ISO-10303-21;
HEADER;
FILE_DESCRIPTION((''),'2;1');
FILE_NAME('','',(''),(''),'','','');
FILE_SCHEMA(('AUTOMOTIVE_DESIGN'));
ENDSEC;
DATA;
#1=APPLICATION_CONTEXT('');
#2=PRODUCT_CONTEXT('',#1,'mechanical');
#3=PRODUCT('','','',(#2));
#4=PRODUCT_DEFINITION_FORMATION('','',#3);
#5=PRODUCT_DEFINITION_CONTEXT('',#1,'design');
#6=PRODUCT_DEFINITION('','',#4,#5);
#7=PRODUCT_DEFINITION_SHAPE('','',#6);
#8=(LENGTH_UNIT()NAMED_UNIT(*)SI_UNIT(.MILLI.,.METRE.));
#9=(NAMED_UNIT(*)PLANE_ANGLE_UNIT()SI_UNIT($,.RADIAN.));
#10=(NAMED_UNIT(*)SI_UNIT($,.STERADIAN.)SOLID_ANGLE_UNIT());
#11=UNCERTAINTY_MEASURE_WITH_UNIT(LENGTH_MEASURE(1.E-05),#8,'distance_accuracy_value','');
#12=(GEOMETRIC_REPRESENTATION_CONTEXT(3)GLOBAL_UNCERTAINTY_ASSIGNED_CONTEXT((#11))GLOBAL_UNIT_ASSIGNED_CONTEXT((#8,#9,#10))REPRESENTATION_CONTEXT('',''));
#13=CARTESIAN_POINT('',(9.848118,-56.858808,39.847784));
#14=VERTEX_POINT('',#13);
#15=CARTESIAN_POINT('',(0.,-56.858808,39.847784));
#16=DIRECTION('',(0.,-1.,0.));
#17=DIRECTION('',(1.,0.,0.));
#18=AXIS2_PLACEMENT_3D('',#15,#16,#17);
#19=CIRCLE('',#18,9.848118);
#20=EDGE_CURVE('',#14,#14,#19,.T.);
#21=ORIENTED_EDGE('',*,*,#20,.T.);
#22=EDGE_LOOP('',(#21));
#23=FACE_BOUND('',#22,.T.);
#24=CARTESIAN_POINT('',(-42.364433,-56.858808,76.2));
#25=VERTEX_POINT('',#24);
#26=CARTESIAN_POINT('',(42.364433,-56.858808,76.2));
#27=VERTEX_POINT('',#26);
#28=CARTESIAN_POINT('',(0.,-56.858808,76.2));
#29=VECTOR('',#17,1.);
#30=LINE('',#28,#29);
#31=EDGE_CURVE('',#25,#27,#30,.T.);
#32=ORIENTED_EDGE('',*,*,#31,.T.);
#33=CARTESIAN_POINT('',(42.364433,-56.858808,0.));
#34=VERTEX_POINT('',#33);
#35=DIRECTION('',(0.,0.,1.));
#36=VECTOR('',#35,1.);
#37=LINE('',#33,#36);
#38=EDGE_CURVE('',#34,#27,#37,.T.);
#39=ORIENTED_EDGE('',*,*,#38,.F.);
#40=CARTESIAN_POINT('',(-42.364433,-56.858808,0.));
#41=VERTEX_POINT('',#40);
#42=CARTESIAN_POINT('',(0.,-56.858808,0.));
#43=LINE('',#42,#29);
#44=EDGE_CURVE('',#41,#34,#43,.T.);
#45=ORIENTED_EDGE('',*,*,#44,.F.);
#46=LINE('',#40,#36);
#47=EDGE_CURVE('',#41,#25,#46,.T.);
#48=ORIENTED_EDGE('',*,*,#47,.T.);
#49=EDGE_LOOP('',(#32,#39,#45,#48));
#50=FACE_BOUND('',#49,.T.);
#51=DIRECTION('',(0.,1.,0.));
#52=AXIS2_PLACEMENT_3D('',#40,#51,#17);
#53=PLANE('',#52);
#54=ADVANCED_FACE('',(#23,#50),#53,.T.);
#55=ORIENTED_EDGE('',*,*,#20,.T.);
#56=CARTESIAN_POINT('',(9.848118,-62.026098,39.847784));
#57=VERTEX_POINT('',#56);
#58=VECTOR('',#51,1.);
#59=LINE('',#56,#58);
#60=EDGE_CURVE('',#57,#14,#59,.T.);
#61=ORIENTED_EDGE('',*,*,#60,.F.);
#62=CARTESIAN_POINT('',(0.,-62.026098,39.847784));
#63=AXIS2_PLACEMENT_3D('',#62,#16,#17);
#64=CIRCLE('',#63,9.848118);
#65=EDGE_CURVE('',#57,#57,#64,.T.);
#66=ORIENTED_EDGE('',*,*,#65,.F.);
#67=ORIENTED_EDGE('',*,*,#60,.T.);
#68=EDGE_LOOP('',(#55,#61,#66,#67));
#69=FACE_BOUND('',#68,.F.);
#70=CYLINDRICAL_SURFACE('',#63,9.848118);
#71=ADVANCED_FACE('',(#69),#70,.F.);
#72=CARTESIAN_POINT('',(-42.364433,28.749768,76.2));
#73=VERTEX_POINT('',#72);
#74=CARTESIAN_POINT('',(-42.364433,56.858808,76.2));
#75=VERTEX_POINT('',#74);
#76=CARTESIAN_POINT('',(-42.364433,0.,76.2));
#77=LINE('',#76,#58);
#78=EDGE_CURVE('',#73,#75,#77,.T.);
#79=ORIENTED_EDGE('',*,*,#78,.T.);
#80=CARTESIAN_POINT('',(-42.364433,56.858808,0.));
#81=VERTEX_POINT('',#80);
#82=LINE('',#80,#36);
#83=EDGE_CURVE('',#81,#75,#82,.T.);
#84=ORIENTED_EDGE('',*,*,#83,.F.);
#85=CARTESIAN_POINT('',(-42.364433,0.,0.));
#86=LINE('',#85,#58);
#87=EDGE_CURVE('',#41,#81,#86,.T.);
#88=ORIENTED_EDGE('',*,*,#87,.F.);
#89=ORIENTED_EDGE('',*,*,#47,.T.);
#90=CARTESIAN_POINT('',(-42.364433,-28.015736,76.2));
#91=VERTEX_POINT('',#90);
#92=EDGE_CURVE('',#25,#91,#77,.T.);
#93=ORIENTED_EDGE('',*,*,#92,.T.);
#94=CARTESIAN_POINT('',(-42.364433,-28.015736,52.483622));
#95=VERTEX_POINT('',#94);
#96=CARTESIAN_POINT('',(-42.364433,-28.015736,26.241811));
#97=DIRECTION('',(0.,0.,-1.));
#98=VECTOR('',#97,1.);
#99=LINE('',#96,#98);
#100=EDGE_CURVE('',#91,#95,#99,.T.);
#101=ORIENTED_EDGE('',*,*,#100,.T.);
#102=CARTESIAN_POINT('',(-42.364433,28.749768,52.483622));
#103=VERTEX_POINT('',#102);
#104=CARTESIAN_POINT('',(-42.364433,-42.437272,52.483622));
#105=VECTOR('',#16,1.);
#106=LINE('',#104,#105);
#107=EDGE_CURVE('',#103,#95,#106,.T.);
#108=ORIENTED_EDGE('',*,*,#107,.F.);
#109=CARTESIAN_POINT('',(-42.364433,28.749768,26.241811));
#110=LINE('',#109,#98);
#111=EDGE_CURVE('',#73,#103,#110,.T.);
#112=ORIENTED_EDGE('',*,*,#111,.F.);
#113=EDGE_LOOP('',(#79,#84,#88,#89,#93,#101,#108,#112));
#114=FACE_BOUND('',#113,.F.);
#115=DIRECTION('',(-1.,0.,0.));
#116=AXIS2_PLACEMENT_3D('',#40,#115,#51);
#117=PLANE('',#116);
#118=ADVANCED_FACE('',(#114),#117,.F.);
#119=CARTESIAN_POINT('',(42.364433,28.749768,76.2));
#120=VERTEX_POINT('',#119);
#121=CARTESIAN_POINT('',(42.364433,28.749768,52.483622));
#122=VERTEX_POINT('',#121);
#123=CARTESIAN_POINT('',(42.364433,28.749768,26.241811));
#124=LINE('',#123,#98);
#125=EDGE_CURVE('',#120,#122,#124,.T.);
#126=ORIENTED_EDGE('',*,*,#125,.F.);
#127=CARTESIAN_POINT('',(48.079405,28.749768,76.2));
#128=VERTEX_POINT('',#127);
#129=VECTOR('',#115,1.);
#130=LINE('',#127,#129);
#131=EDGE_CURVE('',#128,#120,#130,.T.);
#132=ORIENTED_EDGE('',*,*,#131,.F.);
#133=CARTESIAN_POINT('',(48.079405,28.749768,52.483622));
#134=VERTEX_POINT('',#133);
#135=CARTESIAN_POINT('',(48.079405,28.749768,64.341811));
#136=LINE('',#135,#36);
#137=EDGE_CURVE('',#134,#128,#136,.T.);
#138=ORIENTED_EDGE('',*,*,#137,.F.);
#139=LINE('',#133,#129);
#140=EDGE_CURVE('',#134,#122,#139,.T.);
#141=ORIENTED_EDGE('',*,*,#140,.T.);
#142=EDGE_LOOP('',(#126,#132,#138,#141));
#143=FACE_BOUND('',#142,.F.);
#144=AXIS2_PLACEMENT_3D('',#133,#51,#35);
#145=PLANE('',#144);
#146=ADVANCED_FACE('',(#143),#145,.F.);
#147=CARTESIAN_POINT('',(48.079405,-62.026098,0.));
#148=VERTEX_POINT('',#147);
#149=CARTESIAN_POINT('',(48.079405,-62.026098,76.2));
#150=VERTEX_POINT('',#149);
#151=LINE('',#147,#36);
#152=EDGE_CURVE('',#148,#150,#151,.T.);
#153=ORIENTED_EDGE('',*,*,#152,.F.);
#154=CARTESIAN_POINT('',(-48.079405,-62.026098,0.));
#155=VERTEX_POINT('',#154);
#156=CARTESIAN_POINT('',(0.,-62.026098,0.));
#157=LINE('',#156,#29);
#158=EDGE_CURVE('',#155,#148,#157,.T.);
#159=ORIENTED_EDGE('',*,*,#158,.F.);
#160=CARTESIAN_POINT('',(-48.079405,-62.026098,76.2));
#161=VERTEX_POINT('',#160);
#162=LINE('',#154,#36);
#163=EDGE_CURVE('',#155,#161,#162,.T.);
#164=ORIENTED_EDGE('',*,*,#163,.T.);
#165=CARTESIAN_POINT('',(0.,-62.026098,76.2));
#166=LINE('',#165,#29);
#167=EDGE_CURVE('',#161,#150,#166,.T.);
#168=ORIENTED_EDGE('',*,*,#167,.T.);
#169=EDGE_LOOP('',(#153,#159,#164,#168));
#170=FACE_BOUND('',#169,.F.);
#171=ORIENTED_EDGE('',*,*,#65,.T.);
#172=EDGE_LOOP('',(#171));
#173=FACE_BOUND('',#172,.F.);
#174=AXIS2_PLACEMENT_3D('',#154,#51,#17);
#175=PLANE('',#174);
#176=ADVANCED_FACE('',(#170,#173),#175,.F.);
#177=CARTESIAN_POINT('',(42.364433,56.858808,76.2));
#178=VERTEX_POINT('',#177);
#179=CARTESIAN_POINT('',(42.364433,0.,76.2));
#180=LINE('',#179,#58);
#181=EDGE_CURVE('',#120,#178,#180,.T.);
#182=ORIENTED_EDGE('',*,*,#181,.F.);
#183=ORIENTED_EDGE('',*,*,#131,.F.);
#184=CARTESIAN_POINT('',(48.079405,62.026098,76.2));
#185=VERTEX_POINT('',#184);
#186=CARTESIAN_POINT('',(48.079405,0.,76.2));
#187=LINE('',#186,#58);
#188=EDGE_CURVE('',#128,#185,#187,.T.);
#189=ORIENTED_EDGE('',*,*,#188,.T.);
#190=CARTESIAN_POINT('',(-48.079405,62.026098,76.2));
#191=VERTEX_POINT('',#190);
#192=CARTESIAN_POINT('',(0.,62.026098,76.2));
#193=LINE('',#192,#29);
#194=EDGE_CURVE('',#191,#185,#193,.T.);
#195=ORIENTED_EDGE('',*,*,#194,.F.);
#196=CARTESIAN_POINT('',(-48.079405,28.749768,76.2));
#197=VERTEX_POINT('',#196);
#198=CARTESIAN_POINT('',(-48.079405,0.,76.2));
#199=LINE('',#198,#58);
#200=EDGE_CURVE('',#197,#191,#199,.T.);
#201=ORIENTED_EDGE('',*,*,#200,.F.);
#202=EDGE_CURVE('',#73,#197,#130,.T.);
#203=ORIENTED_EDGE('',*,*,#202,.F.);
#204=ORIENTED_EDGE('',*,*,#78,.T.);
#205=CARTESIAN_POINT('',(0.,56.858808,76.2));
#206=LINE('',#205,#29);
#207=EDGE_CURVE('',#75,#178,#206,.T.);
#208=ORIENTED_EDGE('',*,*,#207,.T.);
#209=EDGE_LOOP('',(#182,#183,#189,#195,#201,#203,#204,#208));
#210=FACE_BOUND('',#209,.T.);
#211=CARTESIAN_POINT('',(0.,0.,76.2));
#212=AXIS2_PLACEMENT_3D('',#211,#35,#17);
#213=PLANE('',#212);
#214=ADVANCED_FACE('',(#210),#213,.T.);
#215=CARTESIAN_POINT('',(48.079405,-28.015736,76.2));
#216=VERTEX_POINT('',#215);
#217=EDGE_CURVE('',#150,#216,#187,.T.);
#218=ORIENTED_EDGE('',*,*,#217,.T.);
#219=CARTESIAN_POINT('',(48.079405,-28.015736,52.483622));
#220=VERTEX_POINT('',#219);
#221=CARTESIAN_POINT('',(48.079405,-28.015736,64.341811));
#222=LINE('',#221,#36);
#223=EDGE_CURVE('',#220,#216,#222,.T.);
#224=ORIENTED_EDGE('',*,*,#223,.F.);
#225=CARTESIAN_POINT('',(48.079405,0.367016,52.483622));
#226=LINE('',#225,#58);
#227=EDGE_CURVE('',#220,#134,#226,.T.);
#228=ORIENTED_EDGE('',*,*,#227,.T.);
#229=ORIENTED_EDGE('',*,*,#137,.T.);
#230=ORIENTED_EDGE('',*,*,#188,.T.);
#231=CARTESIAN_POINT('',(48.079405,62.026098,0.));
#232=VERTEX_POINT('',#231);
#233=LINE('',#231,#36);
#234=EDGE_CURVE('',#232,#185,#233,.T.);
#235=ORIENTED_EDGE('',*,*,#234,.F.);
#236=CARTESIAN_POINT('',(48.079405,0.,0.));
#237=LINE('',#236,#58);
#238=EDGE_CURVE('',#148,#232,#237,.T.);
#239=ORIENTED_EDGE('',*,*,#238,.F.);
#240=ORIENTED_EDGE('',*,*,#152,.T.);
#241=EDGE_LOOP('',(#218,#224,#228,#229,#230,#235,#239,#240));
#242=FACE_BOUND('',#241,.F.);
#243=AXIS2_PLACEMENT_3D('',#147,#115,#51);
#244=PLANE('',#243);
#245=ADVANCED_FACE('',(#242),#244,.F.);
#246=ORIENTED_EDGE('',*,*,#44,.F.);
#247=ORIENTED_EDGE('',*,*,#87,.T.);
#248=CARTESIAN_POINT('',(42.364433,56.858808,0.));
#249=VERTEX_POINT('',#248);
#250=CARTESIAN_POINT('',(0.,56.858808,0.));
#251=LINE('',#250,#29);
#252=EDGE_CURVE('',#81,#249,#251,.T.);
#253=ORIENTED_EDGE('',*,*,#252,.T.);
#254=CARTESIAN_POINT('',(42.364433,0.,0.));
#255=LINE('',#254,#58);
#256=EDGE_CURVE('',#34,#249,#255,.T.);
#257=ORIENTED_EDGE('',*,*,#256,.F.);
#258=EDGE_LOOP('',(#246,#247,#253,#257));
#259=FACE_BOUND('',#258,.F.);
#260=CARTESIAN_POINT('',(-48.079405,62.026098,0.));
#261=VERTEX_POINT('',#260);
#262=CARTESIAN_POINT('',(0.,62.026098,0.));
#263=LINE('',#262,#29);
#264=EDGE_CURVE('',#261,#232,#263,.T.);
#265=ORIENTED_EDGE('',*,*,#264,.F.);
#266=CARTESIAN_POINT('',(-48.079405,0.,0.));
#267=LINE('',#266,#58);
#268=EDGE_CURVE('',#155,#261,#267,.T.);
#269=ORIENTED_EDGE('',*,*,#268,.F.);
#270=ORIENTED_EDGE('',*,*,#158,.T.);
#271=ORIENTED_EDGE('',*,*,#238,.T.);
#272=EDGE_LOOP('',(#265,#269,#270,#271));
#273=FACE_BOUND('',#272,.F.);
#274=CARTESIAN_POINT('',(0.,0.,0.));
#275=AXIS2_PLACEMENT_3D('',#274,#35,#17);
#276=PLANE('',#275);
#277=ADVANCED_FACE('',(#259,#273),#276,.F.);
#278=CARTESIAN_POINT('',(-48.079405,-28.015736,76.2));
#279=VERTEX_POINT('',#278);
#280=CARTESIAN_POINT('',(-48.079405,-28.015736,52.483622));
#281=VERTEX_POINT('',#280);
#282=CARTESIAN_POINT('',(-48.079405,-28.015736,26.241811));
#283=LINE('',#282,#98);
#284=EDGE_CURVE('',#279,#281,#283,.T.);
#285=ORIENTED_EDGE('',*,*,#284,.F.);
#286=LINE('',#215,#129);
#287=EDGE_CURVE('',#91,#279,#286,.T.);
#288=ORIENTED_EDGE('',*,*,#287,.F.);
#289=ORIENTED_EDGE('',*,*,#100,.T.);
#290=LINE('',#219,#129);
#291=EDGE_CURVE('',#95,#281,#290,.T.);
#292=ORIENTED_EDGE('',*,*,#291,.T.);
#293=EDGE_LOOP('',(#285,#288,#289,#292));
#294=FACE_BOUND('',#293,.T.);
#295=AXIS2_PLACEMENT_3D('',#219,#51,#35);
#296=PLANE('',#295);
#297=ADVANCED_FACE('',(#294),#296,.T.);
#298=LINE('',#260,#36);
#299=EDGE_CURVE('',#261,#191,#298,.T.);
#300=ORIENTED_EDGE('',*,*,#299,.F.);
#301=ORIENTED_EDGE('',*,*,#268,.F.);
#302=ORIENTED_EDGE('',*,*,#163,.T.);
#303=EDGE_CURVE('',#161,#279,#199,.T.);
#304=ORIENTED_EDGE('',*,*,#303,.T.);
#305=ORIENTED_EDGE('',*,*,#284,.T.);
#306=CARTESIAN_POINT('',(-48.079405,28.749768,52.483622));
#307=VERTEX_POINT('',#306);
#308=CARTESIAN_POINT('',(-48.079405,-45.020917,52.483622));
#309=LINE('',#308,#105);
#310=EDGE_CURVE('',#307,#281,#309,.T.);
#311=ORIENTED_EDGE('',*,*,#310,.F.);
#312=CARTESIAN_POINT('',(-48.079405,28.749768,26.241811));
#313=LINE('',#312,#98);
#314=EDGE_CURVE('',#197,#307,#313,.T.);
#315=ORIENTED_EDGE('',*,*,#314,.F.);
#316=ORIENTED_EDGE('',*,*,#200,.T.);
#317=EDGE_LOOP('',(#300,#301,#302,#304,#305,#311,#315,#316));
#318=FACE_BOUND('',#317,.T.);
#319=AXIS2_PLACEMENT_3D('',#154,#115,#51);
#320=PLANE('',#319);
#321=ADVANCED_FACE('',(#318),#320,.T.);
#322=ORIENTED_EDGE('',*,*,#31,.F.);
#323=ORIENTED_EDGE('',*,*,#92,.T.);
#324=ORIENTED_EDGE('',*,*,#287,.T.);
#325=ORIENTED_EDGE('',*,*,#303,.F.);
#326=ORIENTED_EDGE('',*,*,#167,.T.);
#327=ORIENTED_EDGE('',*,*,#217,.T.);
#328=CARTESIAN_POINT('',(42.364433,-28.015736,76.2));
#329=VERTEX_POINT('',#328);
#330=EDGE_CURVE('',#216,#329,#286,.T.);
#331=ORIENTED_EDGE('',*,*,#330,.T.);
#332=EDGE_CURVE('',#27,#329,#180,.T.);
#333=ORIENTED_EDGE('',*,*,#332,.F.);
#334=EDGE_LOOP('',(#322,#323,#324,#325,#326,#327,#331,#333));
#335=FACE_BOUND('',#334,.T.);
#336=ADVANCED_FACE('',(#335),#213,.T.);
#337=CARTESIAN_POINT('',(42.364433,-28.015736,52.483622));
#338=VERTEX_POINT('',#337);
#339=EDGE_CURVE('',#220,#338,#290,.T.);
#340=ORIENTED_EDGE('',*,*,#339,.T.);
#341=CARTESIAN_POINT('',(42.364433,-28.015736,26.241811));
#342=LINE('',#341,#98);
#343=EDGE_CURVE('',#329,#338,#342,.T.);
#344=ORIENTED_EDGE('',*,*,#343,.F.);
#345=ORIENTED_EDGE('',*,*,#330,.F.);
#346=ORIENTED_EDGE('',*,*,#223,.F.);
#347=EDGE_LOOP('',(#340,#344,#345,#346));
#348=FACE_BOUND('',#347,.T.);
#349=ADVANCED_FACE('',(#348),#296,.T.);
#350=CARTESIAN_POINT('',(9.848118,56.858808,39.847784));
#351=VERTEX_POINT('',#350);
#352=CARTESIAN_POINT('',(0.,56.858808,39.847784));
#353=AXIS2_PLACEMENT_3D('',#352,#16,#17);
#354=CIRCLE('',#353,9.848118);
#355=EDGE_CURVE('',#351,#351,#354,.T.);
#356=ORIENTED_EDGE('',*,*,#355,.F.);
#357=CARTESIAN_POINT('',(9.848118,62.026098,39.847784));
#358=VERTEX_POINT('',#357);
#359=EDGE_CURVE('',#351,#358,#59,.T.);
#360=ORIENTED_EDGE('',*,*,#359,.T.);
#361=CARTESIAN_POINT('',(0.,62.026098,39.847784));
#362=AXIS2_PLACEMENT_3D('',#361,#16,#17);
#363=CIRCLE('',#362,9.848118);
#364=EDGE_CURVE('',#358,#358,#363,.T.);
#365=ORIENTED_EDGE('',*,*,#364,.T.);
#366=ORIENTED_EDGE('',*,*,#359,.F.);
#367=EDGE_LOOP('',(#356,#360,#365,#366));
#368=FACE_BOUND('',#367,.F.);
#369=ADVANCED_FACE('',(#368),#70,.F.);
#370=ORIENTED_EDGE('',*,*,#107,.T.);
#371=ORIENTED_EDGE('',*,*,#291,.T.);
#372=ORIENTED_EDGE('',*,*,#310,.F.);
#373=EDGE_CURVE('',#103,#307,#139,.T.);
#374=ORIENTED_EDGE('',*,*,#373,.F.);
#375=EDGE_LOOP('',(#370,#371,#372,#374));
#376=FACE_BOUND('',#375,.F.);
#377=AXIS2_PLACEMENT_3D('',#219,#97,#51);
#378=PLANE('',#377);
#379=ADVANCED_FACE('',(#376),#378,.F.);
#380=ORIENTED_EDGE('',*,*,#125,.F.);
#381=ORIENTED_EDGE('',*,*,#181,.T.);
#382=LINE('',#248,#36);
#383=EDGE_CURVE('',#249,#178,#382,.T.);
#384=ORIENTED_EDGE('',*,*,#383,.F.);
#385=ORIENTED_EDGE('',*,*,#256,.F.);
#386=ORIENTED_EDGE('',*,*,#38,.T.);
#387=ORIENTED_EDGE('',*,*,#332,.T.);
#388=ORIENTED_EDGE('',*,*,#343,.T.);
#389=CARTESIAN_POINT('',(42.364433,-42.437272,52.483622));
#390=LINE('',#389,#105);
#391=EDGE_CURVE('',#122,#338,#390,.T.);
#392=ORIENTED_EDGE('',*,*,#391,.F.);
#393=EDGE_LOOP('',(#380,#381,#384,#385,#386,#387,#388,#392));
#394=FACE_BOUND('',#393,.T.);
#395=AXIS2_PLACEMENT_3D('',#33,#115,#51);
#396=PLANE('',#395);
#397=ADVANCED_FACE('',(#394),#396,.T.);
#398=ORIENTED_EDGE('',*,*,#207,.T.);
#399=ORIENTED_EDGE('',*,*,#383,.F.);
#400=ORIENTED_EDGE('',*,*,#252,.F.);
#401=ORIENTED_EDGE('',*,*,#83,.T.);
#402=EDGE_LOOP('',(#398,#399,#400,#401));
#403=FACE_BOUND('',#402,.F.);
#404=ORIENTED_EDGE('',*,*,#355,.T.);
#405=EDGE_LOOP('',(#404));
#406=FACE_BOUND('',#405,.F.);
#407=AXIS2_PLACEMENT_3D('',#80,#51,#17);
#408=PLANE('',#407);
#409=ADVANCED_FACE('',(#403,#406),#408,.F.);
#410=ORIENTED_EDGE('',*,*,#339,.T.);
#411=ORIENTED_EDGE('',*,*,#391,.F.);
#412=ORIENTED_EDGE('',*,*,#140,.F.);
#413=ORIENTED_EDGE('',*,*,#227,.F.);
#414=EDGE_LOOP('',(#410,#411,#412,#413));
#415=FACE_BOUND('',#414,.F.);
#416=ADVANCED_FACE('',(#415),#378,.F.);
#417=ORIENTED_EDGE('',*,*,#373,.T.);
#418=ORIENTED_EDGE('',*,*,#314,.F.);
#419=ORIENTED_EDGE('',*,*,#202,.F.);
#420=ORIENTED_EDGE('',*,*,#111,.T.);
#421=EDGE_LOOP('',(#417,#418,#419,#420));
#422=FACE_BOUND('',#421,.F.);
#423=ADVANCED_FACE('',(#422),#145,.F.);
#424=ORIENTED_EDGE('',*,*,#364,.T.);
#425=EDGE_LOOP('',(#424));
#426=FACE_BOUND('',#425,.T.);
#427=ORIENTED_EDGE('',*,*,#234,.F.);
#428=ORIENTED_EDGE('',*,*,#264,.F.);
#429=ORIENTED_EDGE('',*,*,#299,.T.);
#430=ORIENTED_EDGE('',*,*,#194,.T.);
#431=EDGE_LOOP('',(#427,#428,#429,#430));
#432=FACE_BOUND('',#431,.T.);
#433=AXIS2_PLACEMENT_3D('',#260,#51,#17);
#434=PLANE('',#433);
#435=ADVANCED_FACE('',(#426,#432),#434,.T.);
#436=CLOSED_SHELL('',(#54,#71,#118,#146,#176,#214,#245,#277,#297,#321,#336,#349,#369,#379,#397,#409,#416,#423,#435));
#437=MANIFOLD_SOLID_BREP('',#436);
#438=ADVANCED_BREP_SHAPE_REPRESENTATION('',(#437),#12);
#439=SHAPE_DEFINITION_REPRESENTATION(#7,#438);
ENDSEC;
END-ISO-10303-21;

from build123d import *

# Parameters (mm, degrees)
F0_W     = 96.15881
F0_H     = 124.052196
F0_W_2   = 84.728866
F0_H_2   = 113.717616
F1_DEPTH = 76.2
F2_R     = 9.848118
F3_DEPTH = 127
F4_W     = 56.765504
F4_H     = 23.716378
F5_DEPTH = 127


with BuildPart() as f1:
    # F0 (on Top) → F1 (new body)
    with BuildSketch(Plane.XY):
        Rectangle(F0_W, F0_H)
        Rectangle(F0_W_2, F0_H_2, mode=Mode.SUBTRACT)
    extrude(amount=F1_DEPTH)

    # F2 (on face) → F3 (cut)
    with BuildSketch(Plane.XZ.offset(62.026098)):
        with Locations((0, 39.847784)):
            Circle(F2_R)
    extrude(amount=-F3_DEPTH, mode=Mode.SUBTRACT)

    # F4 (on face) → F5 (cut)
    with BuildSketch(Plane.YZ.offset(48.079405)):
        with Locations((0.367016, 64.341811)):
            Rectangle(F4_W, F4_H)
    extrude(amount=-F5_DEPTH, mode=Mode.SUBTRACT)


solid = f1.part
